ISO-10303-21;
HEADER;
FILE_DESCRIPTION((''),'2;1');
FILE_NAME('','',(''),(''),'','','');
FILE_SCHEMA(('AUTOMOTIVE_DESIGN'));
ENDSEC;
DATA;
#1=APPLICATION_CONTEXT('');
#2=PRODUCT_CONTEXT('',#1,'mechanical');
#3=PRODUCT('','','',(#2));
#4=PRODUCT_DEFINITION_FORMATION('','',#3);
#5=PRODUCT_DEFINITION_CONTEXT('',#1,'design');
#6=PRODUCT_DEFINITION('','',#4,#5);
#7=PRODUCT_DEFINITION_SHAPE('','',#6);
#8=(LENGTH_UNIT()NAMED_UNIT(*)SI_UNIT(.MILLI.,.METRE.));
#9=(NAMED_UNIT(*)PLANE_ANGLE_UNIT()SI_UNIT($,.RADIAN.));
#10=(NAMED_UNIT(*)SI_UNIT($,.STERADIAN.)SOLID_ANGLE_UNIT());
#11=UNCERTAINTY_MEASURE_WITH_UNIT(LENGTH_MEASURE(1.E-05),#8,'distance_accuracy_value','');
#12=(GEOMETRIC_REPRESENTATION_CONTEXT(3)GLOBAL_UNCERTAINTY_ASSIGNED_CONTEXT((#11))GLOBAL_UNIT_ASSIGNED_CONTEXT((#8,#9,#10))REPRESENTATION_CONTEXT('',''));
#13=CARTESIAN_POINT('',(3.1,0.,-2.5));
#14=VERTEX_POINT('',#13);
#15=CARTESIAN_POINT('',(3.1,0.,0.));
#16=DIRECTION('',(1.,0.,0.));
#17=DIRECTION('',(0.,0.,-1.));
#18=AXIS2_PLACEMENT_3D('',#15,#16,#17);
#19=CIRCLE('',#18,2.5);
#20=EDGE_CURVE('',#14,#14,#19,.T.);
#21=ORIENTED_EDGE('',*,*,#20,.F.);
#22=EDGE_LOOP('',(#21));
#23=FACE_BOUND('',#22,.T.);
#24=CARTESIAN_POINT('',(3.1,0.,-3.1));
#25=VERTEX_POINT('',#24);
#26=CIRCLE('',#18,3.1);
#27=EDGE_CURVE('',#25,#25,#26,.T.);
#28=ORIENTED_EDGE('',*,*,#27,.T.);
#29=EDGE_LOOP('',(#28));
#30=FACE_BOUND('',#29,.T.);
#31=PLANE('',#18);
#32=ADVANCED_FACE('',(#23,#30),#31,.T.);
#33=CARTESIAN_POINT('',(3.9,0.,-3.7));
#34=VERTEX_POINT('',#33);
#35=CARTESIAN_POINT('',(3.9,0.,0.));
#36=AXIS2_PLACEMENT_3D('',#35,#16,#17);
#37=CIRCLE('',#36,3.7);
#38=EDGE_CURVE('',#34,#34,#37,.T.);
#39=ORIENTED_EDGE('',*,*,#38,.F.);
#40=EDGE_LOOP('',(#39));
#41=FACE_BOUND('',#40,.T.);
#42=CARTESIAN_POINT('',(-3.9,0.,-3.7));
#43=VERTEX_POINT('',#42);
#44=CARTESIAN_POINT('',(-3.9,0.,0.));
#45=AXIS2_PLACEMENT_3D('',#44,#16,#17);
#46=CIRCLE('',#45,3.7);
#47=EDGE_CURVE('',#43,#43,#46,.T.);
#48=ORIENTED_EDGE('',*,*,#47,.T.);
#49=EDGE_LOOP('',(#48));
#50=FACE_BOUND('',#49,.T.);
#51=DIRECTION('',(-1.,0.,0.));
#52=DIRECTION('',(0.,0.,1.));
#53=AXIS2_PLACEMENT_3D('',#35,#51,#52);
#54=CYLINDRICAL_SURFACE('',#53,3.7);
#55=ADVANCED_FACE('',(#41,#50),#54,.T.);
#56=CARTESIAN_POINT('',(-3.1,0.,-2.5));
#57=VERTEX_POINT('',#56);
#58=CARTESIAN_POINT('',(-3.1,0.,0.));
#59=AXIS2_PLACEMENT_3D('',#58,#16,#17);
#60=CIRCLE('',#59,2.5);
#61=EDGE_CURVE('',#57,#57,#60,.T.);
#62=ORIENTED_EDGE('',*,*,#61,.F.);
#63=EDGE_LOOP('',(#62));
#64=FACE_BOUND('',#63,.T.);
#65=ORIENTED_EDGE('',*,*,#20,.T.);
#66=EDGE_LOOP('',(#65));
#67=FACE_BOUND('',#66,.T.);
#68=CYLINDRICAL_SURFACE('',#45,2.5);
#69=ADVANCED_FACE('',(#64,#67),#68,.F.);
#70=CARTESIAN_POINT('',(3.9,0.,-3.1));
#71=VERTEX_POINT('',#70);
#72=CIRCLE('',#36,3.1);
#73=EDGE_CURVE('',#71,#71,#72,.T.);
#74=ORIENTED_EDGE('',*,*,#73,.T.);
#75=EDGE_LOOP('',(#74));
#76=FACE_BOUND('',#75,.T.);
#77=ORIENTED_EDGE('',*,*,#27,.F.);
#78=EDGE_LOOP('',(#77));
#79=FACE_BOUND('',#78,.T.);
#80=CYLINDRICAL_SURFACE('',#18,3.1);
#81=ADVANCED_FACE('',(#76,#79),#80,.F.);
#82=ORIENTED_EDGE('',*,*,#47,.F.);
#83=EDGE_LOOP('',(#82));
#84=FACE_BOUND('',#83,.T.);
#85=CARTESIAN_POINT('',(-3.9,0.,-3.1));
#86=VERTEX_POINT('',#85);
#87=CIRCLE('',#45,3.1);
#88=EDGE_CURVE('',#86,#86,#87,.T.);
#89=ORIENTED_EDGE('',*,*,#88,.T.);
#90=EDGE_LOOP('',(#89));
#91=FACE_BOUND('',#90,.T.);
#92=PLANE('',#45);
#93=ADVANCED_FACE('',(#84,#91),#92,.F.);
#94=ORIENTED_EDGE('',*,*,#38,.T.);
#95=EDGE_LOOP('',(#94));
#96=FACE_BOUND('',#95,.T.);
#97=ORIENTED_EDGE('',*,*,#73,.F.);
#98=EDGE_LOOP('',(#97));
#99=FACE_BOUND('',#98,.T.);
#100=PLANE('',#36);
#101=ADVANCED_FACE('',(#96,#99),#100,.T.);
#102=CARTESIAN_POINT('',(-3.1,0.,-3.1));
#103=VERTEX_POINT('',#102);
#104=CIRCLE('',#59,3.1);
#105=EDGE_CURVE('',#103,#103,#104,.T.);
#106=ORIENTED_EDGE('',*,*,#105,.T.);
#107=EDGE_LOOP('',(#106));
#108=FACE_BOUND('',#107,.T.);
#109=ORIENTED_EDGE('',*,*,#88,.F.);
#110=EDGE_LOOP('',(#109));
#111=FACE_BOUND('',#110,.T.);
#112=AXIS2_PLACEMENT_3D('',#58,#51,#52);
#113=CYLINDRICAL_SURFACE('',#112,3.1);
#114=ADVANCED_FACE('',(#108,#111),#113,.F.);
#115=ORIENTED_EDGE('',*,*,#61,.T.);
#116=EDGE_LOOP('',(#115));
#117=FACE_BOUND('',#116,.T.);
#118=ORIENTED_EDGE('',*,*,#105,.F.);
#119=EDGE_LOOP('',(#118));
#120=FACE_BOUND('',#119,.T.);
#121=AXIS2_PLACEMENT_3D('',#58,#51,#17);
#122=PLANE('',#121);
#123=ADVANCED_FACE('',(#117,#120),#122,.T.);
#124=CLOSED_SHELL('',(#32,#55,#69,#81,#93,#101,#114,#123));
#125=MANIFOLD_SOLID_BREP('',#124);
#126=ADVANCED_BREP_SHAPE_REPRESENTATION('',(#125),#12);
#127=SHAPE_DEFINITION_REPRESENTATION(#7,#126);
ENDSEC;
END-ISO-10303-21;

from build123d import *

# Parameters (mm, degrees)
SKETCH_1_R          = 3.7
EXTRUDE_1_DEPTH     = 3.9
SKETCH_2_R          = 2.5
CUT_EXTRUDE_1_DEPTH = 10.392550239
SKETCH_2_3_R        = 3.1
SKETCH_2_3_R_2      = 2.5
CUT_EXTRUDE_2_DEPTH = 0.8


with BuildPart() as part:
    # 草图1 → 凸台-拉伸1 (new, symmetric)
    with BuildSketch(Plane(origin=(0, 0, 0), x_dir=(0, 0, -1), z_dir=(1, 0, 0))):
        Circle(SKETCH_1_R)
    extrude(amount=EXTRUDE_1_DEPTH, both=True)

    # 草图2 → 切除-拉伸1 (cut, through all)
    with BuildSketch(Plane(origin=(3.9, 0, 0), x_dir=(0, 0, -1), z_dir=(1, 0, 0))):
        Circle(SKETCH_2_R)
    extrude(amount=-CUT_EXTRUDE_1_DEPTH, mode=Mode.SUBTRACT)

    # 草图2<3> → 切除-拉伸2 (cut)
    with BuildSketch(Plane(origin=(3.9, 0, 0), x_dir=(0, 0, -1), z_dir=(1, 0, 0))):
        Circle(SKETCH_2_3_R)
        Circle(SKETCH_2_3_R_2, mode=Mode.SUBTRACT)
    cut_extrude_2 = extrude(amount=-CUT_EXTRUDE_2_DEPTH, mode=Mode.SUBTRACT)

    # 镜向1: 切除-拉伸2 across plane
    add(cut_extrude_2.mirror(Plane(origin=(0, 0, 0), x_dir=(0, 0, 1), z_dir=(1, 0, 0))), mode=Mode.SUBTRACT)


solid = part.part
